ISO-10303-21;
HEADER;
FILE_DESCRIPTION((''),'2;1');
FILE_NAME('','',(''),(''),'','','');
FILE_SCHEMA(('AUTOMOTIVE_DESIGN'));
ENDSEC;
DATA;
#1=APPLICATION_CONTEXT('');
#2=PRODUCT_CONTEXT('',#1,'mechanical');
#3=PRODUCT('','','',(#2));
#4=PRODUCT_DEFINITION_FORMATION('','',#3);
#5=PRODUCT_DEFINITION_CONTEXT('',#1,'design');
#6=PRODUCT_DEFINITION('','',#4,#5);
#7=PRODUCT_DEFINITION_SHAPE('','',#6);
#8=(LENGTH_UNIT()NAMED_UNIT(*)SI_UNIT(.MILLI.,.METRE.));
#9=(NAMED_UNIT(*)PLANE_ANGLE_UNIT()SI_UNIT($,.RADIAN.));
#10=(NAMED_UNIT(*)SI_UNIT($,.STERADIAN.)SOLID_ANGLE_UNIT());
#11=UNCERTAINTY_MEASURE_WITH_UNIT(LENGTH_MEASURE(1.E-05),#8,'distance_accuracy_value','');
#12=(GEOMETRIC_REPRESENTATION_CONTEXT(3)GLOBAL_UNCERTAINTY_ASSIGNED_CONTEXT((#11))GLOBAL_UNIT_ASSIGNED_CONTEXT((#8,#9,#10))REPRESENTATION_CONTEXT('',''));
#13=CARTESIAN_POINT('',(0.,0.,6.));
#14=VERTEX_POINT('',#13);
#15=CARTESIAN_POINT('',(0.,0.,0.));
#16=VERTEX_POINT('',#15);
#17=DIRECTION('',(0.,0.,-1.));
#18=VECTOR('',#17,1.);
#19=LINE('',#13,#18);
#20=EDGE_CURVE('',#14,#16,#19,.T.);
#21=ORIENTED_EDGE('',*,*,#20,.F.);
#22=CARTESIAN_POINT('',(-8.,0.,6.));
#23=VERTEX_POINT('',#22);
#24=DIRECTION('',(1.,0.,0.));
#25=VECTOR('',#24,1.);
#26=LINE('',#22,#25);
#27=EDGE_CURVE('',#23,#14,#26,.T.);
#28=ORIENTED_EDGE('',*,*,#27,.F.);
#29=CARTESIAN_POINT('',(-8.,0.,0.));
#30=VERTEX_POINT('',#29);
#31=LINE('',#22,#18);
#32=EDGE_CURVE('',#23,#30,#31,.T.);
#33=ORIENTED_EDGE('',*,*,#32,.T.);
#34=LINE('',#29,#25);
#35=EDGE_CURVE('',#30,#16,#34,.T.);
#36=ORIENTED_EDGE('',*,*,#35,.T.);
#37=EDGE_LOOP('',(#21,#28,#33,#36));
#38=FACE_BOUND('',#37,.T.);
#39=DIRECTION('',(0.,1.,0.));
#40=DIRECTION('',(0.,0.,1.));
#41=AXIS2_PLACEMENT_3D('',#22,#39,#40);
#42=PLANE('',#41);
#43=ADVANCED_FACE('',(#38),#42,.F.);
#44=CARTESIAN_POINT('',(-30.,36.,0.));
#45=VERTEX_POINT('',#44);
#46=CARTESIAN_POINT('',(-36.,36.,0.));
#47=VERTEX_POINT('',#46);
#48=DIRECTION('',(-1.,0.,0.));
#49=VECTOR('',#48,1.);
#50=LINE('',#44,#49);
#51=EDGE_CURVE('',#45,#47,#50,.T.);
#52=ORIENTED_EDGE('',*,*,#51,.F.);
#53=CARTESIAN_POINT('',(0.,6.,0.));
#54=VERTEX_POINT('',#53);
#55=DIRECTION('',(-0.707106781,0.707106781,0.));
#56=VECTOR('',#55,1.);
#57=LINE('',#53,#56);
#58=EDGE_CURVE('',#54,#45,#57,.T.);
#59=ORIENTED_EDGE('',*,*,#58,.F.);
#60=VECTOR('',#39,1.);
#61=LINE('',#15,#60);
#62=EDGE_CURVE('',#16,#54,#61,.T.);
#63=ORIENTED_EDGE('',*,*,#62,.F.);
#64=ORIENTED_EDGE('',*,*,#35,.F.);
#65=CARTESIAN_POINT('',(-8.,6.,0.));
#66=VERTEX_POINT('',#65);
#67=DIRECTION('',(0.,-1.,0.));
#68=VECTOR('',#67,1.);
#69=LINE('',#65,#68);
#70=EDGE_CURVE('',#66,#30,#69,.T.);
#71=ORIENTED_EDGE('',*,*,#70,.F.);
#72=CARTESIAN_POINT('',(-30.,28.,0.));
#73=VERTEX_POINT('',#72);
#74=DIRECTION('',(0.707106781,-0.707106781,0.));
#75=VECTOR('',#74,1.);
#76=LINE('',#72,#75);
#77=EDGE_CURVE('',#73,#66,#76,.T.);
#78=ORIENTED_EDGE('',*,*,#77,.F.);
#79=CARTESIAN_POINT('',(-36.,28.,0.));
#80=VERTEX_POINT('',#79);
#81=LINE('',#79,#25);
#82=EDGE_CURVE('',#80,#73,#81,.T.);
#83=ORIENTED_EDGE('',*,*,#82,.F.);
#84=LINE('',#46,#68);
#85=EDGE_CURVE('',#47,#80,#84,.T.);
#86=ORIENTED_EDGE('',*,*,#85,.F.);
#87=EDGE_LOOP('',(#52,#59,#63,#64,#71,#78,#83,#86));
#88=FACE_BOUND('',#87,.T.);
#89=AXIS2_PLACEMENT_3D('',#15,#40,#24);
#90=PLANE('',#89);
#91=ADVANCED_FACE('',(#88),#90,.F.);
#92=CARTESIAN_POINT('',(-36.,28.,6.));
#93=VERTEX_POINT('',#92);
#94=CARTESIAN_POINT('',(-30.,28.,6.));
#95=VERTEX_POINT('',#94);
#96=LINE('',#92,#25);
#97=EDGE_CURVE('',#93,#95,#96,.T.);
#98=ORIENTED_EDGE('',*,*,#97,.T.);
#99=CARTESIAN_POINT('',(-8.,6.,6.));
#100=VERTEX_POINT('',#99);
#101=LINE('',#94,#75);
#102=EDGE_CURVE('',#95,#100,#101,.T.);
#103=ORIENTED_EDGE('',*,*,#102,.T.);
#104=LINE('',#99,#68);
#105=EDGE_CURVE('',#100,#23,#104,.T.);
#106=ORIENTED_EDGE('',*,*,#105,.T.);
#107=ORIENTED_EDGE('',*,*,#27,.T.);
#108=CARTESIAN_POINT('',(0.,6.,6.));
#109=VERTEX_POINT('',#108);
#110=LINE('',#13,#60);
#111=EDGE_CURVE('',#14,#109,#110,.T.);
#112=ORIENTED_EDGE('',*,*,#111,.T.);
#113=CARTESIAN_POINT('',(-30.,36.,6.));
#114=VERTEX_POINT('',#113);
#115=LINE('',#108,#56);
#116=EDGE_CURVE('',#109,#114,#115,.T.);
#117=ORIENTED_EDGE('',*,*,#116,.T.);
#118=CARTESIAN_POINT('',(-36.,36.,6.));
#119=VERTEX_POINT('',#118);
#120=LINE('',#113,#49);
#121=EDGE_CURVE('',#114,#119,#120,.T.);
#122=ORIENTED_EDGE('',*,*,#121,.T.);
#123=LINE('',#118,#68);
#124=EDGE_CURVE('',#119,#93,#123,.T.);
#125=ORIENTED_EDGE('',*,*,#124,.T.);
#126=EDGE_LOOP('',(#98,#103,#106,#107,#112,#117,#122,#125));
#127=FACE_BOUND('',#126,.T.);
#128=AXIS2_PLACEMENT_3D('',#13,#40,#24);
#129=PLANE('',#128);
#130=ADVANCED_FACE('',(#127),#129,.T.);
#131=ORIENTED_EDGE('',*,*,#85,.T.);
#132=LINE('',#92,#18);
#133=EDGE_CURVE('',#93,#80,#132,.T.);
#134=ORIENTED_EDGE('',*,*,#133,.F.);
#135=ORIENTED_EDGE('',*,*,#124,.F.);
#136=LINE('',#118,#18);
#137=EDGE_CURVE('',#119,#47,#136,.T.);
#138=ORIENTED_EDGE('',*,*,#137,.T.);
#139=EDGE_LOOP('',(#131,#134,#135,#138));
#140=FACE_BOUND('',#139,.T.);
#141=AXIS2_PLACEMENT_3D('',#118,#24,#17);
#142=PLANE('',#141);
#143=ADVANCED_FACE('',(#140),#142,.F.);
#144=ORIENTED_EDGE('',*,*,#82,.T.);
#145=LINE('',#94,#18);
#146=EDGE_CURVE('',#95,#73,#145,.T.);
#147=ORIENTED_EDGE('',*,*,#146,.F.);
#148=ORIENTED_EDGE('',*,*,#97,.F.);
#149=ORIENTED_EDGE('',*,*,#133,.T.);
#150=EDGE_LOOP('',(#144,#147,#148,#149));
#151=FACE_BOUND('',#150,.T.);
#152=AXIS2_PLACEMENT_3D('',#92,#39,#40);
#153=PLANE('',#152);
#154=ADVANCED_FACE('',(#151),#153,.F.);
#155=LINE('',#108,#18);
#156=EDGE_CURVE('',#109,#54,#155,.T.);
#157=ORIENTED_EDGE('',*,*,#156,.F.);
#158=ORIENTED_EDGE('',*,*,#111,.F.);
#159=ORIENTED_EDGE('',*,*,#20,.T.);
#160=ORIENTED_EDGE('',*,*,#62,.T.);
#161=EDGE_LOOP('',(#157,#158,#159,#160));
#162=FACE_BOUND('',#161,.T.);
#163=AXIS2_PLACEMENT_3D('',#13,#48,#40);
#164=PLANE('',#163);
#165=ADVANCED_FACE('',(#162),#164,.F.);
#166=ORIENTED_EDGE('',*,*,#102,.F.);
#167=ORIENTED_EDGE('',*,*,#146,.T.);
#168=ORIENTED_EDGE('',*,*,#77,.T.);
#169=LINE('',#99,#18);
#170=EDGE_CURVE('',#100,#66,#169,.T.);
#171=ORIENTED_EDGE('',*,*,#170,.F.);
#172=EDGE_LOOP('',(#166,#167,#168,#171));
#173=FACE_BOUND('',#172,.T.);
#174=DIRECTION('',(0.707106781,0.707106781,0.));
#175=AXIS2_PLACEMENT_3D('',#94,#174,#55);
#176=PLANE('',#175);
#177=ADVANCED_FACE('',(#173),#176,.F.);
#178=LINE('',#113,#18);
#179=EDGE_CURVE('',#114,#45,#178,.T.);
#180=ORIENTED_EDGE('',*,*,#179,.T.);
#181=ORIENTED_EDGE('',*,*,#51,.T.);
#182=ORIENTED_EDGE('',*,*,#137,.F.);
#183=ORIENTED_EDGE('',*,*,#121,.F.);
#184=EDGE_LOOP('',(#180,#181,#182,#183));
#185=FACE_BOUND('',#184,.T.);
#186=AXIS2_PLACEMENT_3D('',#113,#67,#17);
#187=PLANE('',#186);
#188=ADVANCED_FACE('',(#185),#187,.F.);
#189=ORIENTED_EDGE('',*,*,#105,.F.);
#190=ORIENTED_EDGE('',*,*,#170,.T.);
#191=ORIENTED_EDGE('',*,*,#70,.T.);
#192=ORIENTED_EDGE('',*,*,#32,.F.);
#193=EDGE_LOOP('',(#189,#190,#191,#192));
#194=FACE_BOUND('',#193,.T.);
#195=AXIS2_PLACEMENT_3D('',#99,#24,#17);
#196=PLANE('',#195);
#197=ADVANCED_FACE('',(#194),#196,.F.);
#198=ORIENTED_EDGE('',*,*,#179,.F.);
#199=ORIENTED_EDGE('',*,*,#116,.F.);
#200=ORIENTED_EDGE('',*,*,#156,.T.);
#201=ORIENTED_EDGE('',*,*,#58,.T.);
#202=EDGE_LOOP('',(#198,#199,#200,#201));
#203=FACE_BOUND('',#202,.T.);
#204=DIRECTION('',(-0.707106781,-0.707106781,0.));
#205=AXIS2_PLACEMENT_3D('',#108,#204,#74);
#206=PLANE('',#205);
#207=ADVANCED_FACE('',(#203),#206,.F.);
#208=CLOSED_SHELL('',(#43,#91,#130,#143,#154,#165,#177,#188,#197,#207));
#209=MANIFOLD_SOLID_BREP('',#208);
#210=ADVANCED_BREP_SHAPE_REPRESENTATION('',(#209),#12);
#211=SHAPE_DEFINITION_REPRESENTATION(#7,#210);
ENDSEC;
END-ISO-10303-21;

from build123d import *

# Parameters (mm, degrees)
BOSS_EXTRU_1_DEPTH = 6


with BuildPart() as part:
    # Esquisse2 → Boss.-Extru.1 (new body)
    with BuildSketch(Plane.XY):
        Polygon((0, 0), (0, 6), (-30, 36), (-36, 36), (-36, 28), (-30, 28), (-8, 6), (-8, 0), align=None)
    extrude(amount=BOSS_EXTRU_1_DEPTH)


solid = part.part
